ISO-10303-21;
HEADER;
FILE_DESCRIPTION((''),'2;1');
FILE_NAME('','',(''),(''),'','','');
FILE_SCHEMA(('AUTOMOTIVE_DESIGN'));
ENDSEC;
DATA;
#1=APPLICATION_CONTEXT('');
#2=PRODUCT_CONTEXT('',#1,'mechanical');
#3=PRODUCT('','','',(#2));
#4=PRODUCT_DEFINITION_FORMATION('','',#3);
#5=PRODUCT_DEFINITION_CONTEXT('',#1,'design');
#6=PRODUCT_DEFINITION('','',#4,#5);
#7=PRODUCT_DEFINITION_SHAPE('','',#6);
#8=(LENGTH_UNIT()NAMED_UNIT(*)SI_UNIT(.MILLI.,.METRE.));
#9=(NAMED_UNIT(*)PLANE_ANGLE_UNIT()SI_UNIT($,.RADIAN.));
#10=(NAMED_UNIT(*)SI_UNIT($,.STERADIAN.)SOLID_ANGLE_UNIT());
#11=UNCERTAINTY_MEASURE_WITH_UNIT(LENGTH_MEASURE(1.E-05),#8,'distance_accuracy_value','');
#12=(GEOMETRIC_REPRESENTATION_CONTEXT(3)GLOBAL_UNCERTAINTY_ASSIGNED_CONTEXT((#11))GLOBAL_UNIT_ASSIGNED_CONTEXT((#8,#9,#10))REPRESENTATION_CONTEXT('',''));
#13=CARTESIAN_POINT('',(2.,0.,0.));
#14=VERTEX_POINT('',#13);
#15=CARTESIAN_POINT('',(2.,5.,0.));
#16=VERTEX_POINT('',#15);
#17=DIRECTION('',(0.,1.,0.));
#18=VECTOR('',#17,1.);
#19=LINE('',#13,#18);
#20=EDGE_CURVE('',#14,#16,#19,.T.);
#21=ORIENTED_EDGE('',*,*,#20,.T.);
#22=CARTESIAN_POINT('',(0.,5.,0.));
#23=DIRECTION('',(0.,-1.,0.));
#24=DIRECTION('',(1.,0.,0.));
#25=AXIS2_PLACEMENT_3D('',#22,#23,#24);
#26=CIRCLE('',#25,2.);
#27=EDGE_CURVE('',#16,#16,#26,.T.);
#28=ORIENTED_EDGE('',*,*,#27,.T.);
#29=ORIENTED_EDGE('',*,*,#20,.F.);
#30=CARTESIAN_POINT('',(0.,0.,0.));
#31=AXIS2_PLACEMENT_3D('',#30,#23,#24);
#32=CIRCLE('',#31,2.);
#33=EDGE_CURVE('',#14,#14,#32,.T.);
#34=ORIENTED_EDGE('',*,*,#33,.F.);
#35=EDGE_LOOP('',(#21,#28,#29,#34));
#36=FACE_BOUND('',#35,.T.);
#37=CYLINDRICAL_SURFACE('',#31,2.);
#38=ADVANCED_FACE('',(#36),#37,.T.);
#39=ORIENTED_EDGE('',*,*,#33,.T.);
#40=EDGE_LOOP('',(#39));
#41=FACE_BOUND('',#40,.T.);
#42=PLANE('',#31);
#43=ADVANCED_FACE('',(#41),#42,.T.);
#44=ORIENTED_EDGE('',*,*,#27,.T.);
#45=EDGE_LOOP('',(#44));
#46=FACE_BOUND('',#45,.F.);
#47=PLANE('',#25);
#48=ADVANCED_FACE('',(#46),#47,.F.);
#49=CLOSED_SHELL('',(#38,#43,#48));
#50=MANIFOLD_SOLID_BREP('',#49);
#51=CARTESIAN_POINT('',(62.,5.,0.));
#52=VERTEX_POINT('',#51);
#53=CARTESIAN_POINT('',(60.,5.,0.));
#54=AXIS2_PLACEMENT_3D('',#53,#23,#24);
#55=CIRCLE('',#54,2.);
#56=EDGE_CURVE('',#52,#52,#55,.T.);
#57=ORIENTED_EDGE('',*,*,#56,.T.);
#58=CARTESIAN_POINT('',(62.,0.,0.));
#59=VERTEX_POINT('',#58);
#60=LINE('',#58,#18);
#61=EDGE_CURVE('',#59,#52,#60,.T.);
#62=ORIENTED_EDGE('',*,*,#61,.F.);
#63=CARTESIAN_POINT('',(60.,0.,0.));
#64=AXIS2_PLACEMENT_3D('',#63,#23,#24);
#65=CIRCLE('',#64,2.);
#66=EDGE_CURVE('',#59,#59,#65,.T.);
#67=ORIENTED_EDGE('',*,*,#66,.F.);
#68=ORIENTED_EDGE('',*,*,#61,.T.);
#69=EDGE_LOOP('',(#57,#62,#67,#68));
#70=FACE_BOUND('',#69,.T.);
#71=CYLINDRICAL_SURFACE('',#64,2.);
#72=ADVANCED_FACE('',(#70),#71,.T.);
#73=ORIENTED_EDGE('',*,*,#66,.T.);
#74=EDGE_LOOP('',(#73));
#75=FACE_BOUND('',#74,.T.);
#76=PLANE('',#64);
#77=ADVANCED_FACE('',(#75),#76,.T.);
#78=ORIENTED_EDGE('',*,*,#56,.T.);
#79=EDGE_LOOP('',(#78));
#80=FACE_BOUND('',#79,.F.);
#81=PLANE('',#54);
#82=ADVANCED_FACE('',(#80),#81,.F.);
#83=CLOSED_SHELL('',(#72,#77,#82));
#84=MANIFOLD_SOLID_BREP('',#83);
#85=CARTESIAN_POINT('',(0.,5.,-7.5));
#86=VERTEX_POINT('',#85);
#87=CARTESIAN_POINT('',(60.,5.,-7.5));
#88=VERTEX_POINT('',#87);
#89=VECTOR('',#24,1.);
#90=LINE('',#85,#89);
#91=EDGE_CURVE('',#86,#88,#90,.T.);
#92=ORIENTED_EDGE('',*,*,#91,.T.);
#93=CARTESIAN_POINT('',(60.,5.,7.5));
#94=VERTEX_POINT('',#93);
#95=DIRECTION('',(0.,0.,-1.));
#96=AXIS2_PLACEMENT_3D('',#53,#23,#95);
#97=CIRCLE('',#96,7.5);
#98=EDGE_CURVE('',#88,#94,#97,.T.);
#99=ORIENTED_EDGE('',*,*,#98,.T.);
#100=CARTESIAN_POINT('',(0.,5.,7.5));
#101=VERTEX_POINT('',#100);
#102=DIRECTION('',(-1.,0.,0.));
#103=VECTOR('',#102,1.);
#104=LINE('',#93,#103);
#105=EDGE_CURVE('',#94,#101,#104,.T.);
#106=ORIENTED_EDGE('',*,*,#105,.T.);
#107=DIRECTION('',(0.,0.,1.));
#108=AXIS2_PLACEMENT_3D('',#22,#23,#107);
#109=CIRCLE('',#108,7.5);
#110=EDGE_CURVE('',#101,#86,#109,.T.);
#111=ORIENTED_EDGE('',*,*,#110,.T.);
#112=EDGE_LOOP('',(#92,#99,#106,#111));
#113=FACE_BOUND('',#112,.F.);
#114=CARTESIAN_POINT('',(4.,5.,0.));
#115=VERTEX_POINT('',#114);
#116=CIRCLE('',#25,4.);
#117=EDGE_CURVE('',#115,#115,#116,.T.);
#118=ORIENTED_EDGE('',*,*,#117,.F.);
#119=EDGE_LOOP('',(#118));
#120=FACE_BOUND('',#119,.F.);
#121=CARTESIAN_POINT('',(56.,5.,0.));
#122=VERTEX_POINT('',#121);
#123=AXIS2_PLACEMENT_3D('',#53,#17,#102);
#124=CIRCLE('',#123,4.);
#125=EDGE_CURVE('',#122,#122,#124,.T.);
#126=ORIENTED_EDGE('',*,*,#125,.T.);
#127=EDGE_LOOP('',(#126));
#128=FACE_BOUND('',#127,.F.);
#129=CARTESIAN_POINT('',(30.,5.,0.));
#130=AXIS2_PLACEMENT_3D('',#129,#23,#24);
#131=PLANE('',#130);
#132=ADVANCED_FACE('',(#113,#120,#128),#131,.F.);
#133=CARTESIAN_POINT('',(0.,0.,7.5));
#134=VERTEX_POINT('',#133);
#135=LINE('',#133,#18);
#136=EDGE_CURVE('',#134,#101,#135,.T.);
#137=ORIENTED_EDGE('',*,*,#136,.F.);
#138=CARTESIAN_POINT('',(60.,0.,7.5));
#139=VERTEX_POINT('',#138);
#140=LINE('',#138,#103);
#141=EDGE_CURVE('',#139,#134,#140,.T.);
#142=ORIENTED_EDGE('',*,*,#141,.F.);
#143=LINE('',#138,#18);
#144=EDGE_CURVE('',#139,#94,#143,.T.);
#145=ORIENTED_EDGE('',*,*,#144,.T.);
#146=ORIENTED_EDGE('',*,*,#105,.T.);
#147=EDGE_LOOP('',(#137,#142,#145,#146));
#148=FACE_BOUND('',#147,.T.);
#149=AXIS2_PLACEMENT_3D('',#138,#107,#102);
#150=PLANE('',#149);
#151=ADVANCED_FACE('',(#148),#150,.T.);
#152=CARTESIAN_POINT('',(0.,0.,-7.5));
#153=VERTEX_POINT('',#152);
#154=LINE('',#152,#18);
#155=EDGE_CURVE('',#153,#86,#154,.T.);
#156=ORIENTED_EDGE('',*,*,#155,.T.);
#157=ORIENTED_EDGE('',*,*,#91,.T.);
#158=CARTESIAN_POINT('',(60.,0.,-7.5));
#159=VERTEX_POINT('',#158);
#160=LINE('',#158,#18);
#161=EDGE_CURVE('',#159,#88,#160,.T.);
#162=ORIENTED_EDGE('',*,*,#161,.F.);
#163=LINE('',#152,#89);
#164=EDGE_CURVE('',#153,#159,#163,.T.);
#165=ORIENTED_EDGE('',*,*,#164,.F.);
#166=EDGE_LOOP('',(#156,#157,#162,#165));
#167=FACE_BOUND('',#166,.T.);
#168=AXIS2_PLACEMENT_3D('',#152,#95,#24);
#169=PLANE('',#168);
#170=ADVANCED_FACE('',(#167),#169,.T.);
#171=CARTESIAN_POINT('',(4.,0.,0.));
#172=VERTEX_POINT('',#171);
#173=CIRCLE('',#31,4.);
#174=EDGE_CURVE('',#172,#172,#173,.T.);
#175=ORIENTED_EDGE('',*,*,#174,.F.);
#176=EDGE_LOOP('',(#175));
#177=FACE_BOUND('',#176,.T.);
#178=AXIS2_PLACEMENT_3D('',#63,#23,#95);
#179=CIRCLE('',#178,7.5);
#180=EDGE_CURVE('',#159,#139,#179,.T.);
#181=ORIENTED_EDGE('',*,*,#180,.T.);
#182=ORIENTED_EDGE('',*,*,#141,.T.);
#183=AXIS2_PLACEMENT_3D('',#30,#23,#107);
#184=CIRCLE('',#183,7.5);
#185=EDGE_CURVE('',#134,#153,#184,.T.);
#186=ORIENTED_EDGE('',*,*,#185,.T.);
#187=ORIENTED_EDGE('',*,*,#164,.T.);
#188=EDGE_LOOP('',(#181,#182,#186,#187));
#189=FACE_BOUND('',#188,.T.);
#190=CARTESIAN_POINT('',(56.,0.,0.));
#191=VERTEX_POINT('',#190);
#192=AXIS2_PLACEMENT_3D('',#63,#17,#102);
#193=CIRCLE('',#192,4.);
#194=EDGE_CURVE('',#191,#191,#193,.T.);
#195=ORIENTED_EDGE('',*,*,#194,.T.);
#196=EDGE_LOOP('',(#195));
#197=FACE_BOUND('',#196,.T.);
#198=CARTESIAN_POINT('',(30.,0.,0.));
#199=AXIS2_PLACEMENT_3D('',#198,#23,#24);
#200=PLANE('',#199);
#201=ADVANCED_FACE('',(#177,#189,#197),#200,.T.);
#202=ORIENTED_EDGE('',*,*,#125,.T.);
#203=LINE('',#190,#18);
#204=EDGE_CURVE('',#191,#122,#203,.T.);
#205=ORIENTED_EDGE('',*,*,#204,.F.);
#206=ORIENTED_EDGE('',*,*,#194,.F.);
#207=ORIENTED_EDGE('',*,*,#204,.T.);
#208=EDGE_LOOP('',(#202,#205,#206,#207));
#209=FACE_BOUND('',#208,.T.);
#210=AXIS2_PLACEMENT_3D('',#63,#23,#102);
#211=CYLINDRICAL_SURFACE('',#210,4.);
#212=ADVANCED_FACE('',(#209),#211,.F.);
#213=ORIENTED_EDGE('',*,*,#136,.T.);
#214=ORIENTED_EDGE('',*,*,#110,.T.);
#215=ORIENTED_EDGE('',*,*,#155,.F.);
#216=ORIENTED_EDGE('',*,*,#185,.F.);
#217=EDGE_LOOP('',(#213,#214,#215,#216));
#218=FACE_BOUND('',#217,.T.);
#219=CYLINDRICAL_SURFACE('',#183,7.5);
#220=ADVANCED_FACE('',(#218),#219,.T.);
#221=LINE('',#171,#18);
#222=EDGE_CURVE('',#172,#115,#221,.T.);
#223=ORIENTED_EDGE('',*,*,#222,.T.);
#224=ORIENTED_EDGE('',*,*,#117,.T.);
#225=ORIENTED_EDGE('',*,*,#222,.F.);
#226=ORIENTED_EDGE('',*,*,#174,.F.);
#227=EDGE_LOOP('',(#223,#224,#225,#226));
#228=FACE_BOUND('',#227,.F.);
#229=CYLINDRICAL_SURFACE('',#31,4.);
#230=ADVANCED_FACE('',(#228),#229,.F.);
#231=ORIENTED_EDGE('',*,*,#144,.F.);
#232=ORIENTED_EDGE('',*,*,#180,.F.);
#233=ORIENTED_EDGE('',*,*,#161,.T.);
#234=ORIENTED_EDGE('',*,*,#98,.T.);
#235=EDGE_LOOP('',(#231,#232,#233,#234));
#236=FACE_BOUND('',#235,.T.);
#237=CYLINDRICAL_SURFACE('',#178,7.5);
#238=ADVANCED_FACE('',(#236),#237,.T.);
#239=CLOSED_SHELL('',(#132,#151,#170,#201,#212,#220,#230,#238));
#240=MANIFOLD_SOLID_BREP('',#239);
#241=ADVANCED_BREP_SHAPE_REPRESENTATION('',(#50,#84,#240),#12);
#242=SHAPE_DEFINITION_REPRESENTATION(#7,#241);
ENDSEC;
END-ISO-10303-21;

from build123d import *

# Parameters (mm, degrees)
F0_R     = 4
F1_DEPTH = 5
F2_R     = 2
F3_DEPTH = 5


with BuildPart() as f1:
    # F0 (on Front) → F1 (new body)
    with BuildSketch(Plane.XZ):
        with BuildLine():
            Line((60, 7.5), (0, 7.5))
            ThreePointArc((0, 7.5), (-7.5, 0), (0, -7.5))
            Line((0, -7.5), (60, -7.5))
            ThreePointArc((60, -7.5), (67.5, 0), (60, 7.5))
        make_face()
        Circle(F0_R, mode=Mode.SUBTRACT)
        with BuildLine():
            ThreePointArc((64, 0), (60, -4), (56, 0))
            ThreePointArc((56, 0), (60, 4), (64, 0))
        make_face(mode=Mode.SUBTRACT)
    extrude(amount=-F1_DEPTH)


with BuildPart() as f3:
    # F2 (on face) → F3 (new body)
    with BuildSketch(Plane.XZ):
        Circle(F2_R)
        with Locations((60, 0)):
            Circle(F2_R)
    extrude(amount=-F3_DEPTH)


solid = Compound([f1.part, f3.part])
